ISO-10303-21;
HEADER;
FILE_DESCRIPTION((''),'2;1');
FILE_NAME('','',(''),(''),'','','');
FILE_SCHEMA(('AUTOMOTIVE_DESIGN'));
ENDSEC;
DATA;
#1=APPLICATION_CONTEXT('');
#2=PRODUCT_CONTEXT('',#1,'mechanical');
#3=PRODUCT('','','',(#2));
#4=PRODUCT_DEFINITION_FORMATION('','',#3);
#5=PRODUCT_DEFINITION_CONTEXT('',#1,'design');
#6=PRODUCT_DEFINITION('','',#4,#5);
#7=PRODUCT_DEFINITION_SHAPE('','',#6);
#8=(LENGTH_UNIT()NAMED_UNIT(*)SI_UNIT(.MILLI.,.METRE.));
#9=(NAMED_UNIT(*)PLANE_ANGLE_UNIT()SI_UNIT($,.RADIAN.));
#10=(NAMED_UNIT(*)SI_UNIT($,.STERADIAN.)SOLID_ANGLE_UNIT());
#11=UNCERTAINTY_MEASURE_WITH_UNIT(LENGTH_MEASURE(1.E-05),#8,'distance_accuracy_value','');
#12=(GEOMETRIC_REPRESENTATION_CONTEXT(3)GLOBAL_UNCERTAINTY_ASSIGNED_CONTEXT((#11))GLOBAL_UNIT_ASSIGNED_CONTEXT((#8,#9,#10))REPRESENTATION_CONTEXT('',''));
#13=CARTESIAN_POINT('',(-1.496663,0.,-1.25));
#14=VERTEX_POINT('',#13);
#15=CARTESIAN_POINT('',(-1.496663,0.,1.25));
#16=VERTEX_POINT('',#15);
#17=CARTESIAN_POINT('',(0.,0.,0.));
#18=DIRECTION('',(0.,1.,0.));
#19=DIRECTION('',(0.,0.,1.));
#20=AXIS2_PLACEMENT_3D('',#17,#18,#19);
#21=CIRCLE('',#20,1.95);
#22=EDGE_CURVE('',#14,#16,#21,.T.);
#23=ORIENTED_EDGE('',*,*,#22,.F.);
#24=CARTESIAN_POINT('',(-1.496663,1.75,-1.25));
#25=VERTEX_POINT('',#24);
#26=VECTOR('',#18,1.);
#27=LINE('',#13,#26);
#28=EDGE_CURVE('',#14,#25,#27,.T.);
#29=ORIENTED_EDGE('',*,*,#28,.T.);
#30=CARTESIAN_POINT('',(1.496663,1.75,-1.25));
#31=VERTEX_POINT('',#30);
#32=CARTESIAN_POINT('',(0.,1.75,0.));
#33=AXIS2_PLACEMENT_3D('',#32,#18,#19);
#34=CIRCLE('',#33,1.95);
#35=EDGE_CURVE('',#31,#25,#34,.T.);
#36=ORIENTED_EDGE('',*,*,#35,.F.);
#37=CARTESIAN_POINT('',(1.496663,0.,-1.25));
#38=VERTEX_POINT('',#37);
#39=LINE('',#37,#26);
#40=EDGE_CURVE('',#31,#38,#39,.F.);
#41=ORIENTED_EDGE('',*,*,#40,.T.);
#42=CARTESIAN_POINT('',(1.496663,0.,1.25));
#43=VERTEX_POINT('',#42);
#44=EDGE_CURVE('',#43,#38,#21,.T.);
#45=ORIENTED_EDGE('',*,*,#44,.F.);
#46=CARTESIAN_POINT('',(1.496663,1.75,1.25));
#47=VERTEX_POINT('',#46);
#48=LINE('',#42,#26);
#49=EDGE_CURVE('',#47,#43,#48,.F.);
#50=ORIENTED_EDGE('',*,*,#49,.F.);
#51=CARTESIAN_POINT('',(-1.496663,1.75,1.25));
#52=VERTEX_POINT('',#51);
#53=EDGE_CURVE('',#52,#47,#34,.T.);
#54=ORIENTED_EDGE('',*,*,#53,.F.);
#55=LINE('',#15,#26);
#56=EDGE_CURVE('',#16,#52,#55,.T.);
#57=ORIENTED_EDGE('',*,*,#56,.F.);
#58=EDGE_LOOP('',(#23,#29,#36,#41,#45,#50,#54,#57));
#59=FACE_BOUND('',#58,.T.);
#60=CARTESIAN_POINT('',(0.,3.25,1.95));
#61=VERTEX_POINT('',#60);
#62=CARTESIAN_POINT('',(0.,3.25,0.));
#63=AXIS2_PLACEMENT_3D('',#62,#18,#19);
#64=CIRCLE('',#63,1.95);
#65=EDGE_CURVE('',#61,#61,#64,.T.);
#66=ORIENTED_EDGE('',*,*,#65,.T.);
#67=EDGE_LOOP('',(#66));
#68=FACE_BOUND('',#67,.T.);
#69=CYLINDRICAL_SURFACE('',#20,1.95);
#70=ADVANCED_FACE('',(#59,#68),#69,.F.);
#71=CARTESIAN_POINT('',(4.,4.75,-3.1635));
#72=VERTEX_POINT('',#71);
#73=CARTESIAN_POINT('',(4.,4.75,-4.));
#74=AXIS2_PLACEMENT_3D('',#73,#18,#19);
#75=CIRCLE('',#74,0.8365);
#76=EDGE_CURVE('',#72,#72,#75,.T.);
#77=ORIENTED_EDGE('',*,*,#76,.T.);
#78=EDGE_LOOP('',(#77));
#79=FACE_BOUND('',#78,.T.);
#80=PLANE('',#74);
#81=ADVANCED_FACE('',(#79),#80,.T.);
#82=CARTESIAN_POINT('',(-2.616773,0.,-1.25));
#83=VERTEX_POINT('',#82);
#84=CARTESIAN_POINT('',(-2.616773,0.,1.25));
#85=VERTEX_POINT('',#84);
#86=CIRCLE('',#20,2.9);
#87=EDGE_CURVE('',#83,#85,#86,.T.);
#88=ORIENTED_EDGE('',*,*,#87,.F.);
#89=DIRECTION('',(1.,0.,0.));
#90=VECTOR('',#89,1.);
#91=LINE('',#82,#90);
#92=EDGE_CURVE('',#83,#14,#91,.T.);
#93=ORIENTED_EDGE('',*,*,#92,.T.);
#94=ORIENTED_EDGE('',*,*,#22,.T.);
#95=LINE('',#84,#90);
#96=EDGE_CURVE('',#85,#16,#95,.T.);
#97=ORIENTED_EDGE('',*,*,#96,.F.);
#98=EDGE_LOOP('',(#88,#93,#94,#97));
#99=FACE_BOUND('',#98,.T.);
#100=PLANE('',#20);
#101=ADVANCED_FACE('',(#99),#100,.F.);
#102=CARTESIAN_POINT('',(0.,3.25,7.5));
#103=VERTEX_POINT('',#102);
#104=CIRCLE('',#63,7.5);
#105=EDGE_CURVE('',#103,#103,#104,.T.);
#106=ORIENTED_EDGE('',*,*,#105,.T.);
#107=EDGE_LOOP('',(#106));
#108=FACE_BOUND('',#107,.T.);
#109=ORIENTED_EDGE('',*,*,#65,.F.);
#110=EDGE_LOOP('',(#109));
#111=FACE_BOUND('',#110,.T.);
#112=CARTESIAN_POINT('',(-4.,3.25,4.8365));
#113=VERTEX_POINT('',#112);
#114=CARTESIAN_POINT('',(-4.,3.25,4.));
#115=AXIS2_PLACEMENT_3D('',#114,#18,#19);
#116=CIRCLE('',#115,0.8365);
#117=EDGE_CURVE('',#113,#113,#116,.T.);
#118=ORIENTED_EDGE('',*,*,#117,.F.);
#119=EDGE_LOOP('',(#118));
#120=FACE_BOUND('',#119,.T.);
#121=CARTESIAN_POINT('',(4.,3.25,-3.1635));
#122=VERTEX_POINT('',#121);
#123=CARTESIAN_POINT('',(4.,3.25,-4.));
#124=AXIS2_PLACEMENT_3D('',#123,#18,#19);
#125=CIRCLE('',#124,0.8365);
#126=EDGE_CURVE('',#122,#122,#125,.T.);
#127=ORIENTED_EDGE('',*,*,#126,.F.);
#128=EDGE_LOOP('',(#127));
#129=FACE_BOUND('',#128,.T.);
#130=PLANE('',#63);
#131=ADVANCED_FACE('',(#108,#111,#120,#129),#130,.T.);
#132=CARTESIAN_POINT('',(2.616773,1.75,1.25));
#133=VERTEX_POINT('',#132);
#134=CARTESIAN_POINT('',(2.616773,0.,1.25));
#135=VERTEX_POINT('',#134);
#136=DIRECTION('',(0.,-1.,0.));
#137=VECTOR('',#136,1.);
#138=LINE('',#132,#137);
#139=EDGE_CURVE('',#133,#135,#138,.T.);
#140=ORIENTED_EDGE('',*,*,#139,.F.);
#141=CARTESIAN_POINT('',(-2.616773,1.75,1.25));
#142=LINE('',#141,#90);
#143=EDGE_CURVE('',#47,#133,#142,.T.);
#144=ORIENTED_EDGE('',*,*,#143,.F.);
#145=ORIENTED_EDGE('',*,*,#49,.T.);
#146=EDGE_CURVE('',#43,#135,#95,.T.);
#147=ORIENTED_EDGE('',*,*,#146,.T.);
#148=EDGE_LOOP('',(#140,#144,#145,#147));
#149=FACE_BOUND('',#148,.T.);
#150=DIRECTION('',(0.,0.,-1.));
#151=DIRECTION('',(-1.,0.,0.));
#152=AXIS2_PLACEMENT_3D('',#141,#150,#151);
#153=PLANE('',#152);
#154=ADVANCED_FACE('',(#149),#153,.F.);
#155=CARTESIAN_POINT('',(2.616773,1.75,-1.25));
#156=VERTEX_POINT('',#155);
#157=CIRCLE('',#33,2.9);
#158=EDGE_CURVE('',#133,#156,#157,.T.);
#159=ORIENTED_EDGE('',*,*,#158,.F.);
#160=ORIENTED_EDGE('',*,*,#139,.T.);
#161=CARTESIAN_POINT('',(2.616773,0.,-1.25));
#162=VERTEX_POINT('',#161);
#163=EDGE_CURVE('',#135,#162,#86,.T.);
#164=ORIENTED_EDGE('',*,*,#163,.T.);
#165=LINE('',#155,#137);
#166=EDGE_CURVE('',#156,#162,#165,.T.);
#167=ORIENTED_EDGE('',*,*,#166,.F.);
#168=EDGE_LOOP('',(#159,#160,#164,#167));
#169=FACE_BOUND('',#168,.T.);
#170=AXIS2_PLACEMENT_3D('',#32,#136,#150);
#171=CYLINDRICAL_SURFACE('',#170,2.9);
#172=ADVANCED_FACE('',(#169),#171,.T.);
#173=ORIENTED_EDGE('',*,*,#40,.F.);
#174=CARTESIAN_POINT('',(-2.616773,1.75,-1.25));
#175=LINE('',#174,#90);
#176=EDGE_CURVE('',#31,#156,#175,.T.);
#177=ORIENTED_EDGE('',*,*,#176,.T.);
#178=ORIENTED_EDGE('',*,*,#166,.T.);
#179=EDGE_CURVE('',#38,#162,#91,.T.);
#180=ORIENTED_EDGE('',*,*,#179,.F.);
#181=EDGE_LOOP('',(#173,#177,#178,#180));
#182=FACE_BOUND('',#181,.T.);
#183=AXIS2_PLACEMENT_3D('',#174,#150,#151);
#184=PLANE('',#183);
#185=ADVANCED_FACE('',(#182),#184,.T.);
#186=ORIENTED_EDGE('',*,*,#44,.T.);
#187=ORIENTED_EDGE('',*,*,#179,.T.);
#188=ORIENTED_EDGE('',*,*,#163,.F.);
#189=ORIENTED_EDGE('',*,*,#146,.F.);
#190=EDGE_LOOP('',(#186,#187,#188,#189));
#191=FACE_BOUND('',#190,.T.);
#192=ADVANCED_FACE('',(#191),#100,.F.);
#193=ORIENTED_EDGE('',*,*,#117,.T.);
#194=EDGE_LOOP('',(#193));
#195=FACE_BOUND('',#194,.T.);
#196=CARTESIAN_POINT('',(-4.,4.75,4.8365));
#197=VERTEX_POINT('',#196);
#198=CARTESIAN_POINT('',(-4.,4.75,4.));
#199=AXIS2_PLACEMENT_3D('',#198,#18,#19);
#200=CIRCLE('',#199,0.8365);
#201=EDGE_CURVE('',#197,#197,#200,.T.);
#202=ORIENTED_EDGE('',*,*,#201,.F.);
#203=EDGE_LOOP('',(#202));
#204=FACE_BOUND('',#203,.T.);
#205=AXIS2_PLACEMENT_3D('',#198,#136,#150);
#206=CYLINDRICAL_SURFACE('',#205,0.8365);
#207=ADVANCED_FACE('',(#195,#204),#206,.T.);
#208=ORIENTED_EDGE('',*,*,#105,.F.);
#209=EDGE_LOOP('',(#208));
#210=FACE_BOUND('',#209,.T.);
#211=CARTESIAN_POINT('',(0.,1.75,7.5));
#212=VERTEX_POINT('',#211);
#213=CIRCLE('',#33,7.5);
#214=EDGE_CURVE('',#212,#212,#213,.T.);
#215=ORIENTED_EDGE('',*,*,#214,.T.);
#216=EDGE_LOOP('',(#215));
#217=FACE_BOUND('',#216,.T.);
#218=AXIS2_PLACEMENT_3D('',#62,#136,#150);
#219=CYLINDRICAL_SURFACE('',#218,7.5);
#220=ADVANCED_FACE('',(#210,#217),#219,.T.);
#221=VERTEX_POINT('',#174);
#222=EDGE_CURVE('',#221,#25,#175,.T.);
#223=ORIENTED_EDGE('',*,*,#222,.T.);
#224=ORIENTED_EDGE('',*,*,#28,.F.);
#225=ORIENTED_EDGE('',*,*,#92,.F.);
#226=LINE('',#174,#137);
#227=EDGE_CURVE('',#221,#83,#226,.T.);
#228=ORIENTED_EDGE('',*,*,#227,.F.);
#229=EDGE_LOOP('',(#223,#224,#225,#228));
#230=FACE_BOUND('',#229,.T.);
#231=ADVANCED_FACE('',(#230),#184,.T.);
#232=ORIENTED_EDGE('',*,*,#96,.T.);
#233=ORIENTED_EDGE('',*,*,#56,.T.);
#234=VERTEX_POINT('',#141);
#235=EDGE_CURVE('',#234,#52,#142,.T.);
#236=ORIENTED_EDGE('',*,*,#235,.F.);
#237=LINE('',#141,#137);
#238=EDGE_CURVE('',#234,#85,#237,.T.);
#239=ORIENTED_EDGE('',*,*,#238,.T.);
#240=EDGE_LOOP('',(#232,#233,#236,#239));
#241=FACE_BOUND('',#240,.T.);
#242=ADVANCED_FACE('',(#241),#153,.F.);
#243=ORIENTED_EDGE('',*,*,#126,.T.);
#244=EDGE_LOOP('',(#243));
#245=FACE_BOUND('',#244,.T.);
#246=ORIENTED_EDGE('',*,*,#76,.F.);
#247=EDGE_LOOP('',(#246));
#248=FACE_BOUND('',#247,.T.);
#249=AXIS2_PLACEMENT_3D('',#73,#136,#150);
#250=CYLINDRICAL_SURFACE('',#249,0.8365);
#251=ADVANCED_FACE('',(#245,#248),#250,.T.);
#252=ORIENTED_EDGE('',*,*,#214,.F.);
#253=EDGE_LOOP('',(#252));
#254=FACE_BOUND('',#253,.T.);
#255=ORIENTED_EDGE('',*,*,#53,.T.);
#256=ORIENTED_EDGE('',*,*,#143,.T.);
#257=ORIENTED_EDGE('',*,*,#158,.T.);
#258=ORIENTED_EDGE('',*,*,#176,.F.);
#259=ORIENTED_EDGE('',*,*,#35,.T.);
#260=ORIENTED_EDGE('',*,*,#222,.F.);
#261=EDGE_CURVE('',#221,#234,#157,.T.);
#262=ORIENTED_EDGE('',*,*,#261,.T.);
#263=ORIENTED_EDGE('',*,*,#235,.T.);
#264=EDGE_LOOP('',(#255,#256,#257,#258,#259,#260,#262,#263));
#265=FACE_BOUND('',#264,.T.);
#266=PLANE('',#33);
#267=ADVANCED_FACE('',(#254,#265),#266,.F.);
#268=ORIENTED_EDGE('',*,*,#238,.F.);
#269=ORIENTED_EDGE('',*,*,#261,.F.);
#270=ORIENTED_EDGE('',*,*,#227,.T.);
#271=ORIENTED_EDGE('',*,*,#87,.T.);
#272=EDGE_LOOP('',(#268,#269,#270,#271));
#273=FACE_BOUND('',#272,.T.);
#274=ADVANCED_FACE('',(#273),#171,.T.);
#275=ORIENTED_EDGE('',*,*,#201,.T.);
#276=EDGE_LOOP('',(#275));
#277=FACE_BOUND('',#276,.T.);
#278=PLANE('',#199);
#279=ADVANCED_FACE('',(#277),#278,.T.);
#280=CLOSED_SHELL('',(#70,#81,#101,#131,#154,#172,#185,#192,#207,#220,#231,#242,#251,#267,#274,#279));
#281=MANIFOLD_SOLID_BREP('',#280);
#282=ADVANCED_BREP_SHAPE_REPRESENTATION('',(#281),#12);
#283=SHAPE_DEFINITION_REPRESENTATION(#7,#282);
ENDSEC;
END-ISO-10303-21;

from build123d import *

# Parameters (mm, degrees)
BOSS_EXTRUDE1_DEPTH = 1.75
SKETCH2_R           = 7.5
BOSS_EXTRUDE2_DEPTH = 1.5
SKETCH3_R           = 1.95
CUT_EXTRUDE1_DEPTH  = 12.093353866
SKETCH4_R           = 0.8365
BOSS_EXTRUDE3_DEPTH = 1.5


with BuildPart() as part:
    # Sketch1 → Boss-Extrude1 (new body)
    with BuildSketch(Plane(origin=(0, 0, 0), x_dir=(1, 0, 0), z_dir=(0, 1, 0))):
        with BuildLine():
            Line((-2.616772822, 1.25), (2.616772822, 1.25))
            ThreePointArc((2.616772822, 1.25), (2.9, 0), (2.616772822, -1.25))
            Line((2.616772822, -1.25), (-2.616772822, -1.25))
            ThreePointArc((-2.616772822, -1.25), (-2.9, 0), (-2.616772822, 1.25))
        make_face()
    extrude(amount=BOSS_EXTRUDE1_DEPTH)

    # Sketch2 → Boss-Extrude2 (add)
    with BuildSketch(Plane(origin=(0, 1.75, 0), x_dir=(1, 0, 0), z_dir=(0, 1, 0))):
        with Locations(Location((0, 0, 0), (0, 0, 270))):
            Circle(SKETCH2_R)
    extrude(amount=BOSS_EXTRUDE2_DEPTH)

    # Sketch3 → Cut-Extrude1 (cut, through all)
    with BuildSketch(Plane(origin=(0, 3.25, 0), x_dir=(1, 0, 0), z_dir=(0, 1, 0))):
        with Locations(Location((0, 0, 0), (0, 0, 270))):
            Circle(SKETCH3_R)
    extrude(amount=-CUT_EXTRUDE1_DEPTH, mode=Mode.SUBTRACT)

    # Sketch4 → Boss-Extrude3 (add)
    with BuildSketch(Plane(origin=(0, 3.25, 0), x_dir=(1, 0, 0), z_dir=(0, 1, 0))):
        with Locations(Location((4, 4, 0), (0, 0, 270))):
            Circle(SKETCH4_R)
        with Locations(Location((-4, -4, 0), (0, 0, 270))):
            Circle(SKETCH4_R)
    extrude(amount=BOSS_EXTRUDE3_DEPTH)


solid = part.part
